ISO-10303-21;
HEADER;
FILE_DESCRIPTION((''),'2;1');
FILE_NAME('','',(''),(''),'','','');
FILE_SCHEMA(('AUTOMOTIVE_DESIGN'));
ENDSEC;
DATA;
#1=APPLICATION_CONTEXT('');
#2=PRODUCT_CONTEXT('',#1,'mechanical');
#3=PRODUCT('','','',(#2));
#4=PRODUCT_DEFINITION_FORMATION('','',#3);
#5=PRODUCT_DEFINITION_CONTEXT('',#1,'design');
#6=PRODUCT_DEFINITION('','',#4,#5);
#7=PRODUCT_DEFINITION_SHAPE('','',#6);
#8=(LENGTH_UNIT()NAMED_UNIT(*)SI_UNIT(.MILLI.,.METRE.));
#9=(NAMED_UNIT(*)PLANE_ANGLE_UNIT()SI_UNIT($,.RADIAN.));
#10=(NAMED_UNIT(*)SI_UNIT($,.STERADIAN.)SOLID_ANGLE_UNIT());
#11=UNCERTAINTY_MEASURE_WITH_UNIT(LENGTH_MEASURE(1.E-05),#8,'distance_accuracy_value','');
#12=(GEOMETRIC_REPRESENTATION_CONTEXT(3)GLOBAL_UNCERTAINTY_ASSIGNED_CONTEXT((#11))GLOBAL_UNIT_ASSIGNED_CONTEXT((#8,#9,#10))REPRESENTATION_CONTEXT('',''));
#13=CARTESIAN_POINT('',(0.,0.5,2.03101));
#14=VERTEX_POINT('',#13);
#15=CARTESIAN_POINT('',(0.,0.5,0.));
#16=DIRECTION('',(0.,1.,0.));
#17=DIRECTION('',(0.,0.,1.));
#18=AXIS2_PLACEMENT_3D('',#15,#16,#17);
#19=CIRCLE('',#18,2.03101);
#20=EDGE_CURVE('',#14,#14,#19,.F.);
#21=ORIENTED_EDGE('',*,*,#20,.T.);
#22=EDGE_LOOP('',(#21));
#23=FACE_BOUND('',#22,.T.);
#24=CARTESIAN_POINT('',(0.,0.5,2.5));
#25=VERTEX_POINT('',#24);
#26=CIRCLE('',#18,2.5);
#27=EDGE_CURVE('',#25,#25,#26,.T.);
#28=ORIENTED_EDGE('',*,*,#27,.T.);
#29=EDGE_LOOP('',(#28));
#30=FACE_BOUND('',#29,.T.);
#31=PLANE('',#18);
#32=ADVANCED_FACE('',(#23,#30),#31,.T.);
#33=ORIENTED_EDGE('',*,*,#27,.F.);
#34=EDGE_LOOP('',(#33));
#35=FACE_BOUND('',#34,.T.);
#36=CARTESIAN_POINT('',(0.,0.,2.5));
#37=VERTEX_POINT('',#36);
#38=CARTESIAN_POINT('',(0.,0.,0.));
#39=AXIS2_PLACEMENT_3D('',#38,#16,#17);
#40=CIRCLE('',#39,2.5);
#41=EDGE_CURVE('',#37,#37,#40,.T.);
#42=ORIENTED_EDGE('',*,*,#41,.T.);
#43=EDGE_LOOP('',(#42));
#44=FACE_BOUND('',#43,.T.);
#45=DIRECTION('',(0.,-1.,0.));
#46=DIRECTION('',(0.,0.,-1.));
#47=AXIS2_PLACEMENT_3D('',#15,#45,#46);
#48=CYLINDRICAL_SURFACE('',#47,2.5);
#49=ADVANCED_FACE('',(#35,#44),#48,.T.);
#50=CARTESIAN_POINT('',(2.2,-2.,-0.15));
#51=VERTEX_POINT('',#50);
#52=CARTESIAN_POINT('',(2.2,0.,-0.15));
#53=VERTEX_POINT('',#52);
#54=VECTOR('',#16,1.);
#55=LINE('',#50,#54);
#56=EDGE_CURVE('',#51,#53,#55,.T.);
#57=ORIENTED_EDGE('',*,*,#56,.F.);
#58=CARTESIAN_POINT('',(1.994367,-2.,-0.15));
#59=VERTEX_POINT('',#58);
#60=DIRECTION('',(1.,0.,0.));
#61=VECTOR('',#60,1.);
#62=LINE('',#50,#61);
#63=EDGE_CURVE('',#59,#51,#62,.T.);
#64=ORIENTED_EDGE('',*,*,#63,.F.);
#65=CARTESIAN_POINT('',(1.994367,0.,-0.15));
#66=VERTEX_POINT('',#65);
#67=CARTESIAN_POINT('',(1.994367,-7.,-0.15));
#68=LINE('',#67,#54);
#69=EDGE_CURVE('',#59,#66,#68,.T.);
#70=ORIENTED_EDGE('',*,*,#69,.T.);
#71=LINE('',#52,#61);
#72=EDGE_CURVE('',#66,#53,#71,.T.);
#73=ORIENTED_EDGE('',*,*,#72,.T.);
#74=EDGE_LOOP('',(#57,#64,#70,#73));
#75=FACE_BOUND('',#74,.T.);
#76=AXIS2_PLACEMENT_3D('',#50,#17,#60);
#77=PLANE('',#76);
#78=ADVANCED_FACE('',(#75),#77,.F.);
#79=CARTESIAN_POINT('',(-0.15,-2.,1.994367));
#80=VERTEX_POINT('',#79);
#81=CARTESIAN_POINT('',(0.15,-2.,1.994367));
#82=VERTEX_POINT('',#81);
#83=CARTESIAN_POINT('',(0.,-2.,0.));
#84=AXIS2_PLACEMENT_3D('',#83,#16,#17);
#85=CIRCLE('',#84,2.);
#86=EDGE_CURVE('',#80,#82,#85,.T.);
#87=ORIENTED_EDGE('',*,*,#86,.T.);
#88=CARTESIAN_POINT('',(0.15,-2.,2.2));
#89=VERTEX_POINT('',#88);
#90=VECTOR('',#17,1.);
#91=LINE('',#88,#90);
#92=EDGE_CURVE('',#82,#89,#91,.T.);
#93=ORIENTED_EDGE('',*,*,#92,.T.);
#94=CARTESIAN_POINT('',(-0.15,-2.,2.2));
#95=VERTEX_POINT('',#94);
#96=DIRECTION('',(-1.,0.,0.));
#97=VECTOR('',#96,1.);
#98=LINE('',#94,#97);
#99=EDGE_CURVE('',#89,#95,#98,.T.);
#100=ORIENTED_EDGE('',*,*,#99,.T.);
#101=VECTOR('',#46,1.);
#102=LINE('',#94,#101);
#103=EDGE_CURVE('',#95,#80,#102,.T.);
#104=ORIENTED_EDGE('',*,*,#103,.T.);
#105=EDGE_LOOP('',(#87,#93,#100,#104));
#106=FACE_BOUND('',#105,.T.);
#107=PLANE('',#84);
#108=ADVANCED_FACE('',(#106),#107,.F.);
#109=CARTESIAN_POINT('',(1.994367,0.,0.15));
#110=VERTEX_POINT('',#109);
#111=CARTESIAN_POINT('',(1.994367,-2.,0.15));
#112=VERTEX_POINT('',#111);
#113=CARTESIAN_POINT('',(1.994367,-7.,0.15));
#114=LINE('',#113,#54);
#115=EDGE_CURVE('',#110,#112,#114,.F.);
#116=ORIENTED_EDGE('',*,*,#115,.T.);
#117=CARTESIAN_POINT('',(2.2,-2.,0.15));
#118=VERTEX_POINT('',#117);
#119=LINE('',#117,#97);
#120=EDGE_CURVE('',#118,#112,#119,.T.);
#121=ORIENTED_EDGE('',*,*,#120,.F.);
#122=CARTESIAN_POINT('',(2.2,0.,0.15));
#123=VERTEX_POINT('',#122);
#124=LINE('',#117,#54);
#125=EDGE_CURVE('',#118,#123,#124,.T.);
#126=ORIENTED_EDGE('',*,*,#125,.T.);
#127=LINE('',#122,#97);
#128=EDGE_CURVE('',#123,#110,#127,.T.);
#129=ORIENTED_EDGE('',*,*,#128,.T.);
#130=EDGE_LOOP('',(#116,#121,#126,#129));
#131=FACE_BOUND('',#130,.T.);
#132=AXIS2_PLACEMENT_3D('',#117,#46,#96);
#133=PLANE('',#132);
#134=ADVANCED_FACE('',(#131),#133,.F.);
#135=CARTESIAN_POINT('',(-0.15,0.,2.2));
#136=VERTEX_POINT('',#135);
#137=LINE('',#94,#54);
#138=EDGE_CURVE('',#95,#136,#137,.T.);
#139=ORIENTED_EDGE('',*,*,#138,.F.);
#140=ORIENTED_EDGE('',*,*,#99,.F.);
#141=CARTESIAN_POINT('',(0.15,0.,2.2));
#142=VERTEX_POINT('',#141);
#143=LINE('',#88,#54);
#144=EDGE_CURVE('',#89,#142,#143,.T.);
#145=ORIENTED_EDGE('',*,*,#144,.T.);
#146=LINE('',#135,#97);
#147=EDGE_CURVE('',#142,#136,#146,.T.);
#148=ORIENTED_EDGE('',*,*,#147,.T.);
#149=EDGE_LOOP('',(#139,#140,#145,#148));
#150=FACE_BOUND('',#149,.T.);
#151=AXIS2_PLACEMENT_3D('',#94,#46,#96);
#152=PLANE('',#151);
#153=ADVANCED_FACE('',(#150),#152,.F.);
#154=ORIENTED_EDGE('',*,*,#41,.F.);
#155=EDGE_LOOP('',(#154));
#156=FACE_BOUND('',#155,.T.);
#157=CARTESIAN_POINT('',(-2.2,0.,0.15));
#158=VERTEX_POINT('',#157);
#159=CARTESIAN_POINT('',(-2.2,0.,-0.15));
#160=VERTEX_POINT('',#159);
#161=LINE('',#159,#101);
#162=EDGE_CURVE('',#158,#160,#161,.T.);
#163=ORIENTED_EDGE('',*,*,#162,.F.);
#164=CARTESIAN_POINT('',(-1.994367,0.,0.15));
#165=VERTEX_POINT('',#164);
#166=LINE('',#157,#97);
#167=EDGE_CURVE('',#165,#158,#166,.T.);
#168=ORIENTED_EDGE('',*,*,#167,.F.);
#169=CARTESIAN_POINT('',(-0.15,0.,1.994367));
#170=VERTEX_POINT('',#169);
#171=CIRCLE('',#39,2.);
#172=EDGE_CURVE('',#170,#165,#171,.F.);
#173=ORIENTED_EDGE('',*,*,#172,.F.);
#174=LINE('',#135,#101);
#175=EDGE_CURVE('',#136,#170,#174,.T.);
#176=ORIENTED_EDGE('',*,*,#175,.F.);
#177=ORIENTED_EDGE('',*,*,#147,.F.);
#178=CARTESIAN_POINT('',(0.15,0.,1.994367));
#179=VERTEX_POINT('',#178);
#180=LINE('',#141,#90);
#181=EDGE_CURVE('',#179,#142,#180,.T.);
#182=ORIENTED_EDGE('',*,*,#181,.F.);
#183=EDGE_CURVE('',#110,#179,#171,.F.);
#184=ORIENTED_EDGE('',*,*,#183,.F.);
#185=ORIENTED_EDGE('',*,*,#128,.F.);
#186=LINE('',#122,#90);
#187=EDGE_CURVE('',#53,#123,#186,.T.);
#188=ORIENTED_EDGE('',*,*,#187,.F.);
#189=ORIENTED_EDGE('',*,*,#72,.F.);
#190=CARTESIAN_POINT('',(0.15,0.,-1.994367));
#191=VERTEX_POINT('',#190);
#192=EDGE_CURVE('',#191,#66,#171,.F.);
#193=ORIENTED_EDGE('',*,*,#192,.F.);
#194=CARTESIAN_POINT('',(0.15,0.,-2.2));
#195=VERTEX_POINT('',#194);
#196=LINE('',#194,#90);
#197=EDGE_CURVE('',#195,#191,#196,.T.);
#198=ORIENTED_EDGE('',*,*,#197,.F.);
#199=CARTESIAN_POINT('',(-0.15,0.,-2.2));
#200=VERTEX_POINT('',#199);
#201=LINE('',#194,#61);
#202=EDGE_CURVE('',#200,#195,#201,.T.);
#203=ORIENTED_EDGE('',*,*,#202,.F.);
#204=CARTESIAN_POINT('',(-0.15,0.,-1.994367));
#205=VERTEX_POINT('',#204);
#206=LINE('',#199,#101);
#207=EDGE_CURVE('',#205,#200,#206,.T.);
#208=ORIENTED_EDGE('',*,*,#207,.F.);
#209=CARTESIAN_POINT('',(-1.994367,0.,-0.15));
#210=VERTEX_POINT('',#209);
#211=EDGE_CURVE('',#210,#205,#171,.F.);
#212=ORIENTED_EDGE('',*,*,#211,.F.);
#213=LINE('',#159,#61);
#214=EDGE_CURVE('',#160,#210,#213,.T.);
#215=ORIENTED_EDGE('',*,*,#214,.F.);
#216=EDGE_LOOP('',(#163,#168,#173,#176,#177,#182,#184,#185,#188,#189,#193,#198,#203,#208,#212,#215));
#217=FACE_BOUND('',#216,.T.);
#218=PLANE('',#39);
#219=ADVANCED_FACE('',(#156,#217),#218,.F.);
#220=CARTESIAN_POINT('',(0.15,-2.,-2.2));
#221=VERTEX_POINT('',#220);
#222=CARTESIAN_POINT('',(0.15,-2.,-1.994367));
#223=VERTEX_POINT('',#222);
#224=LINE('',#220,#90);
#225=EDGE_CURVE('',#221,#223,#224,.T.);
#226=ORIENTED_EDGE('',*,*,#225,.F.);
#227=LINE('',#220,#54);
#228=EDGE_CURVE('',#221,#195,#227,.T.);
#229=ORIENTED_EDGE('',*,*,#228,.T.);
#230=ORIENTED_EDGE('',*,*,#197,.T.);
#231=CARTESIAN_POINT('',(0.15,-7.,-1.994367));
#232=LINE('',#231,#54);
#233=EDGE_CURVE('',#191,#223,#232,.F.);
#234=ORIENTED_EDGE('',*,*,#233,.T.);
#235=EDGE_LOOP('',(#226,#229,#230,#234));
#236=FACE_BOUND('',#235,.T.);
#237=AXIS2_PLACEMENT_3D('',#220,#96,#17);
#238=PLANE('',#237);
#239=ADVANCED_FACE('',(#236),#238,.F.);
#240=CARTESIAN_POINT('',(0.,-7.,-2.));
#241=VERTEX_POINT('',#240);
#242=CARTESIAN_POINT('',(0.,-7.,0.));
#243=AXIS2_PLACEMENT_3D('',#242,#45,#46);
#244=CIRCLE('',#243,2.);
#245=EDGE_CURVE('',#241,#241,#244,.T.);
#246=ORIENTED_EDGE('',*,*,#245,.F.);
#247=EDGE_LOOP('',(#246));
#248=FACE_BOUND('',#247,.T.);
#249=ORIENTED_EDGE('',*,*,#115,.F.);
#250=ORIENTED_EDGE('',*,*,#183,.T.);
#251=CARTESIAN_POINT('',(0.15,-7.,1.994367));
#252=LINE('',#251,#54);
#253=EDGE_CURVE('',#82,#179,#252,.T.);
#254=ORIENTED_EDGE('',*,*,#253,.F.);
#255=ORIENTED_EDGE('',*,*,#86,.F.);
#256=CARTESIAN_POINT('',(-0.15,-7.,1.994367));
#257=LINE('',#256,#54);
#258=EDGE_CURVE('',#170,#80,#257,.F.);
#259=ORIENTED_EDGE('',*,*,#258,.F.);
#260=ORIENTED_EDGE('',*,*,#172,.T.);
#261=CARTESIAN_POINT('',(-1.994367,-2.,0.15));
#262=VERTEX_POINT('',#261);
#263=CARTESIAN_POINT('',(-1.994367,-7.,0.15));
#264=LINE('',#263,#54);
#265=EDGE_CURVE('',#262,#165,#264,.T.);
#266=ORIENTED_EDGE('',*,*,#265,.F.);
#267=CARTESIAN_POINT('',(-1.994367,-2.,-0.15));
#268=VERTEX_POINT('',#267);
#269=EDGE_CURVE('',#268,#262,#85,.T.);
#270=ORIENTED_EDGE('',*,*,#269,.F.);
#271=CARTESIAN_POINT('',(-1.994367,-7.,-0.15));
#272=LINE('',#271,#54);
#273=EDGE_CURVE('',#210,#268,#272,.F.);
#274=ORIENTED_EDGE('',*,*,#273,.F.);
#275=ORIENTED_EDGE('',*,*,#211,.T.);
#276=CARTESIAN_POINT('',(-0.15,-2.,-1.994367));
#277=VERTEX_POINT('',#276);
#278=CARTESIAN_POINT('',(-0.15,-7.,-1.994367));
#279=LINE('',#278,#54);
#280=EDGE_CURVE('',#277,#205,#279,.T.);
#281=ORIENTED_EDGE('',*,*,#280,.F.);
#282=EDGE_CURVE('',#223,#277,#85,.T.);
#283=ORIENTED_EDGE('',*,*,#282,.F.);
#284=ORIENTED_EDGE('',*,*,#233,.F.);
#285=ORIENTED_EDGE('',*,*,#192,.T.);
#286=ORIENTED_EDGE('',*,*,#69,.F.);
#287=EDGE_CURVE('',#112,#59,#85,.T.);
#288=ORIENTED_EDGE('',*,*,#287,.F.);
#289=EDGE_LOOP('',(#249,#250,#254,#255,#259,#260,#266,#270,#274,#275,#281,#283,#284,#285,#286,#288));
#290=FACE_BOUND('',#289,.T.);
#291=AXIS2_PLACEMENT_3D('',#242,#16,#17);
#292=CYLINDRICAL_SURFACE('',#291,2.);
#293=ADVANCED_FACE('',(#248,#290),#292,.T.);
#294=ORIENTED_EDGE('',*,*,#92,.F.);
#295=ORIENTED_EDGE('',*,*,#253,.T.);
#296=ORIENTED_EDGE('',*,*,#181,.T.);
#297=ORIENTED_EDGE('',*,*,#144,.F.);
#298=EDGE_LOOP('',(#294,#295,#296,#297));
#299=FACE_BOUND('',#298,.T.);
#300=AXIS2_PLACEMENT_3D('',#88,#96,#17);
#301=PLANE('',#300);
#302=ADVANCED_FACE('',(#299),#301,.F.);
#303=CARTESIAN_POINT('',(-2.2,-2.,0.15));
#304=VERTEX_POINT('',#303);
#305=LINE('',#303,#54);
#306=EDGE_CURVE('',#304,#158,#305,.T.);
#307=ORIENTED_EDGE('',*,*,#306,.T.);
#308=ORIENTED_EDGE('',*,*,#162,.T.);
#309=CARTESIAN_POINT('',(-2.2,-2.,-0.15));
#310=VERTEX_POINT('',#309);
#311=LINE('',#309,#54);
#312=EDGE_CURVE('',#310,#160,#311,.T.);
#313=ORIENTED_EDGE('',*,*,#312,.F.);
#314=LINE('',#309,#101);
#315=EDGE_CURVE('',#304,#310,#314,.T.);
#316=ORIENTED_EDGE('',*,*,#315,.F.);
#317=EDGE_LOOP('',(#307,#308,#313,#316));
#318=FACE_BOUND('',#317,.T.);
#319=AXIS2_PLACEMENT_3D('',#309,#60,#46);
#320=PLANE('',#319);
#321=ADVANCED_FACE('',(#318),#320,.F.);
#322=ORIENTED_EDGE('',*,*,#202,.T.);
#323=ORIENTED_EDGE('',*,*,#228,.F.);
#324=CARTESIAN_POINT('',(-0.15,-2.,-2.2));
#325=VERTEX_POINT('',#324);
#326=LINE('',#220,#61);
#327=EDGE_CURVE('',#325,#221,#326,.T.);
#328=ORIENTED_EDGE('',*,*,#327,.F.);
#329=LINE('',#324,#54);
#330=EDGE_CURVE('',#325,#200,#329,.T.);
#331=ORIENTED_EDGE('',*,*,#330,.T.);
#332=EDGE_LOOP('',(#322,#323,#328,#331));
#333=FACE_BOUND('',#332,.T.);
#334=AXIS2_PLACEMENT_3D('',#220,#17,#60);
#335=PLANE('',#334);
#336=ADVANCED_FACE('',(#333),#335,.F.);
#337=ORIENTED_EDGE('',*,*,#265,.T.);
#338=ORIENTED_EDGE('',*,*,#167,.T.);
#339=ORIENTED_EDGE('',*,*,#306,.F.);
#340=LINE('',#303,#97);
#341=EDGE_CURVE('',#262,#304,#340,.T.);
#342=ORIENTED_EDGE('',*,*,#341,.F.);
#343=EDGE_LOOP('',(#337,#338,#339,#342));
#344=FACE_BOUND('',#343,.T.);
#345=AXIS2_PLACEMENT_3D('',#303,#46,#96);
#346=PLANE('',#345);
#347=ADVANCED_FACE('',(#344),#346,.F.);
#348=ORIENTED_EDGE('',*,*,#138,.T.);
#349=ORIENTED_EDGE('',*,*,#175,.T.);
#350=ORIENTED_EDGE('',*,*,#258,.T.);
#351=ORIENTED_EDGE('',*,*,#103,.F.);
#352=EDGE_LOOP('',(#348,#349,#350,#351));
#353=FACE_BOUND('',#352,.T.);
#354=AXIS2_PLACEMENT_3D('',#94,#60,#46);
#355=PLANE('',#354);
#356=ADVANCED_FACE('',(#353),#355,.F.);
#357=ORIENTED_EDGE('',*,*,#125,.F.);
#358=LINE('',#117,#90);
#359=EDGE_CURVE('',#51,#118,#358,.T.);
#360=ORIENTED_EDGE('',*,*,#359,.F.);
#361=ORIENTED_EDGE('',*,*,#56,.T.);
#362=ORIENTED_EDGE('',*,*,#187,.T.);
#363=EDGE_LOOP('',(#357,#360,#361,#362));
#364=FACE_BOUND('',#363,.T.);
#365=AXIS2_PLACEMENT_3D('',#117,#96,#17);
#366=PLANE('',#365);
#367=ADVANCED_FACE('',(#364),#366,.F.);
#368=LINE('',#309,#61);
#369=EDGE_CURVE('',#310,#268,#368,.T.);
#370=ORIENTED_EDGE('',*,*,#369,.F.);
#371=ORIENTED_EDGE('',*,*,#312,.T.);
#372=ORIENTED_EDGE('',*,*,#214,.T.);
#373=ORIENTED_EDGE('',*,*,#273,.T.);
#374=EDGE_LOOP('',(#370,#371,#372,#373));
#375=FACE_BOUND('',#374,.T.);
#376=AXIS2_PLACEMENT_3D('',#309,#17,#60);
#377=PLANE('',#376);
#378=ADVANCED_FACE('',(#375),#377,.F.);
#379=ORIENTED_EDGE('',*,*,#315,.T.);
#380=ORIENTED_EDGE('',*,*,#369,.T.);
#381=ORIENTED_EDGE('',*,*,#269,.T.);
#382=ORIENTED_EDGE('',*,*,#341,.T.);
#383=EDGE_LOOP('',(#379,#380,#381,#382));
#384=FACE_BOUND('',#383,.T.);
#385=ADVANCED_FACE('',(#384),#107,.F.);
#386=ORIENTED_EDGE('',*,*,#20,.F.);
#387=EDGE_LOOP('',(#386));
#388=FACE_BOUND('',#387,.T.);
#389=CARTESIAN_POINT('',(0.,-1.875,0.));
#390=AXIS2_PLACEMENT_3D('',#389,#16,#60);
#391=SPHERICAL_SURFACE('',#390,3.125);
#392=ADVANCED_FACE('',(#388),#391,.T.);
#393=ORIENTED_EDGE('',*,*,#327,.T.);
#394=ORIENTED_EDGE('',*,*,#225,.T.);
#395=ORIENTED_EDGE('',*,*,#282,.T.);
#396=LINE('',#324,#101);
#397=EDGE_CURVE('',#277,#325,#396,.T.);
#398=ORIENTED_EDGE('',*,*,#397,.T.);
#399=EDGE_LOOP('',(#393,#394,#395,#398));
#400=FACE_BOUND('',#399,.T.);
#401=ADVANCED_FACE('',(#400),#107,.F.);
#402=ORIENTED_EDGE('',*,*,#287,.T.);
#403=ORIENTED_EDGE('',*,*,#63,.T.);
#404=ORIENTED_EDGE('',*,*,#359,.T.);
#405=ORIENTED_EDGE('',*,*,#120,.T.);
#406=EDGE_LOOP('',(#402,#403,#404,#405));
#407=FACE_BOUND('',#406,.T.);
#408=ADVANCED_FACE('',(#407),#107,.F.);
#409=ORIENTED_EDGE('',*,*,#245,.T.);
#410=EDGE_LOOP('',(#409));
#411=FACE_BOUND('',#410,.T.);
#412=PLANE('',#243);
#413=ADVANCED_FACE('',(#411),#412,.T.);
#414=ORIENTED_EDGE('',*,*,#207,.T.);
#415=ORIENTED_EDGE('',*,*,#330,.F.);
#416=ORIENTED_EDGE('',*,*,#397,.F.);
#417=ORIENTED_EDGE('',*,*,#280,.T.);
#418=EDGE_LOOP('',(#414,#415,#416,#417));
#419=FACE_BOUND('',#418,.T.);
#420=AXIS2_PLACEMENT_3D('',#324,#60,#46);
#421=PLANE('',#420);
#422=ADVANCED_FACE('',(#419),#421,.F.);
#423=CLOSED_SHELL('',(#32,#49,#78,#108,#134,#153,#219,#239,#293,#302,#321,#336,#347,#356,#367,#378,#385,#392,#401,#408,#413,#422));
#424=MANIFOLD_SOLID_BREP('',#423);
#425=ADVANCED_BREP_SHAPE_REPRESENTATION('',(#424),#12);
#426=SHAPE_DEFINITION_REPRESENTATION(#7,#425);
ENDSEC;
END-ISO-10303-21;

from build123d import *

# Parameters (mm, degrees)
SKETCH_1_R      = 2.5
EXTRUDE_1_DEPTH = 0.5
SKETCH_4_R      = 2
EXTRUDE_2_DEPTH = 7
SKETCH_5_W      = 0.3
SKETCH_5_H      = 0.29255476
SKETCH_5_W_2    = 0.29255476
SKETCH_5_H_2    = 0.3
EXTRUDE_3_DEPTH = 2


with BuildPart() as part:
    # 草图1 → 凸台-拉伸1 (new body)
    with BuildSketch(Plane(origin=(0, 0, 0), x_dir=(1, 0, 0), z_dir=(0, 1, 0))):
        with Locations(Location((0, 0, 0), (0, 0, 270))):
            Circle(SKETCH_1_R)
    extrude(amount=EXTRUDE_1_DEPTH)

    # 草图2 → 旋转4 (revolve)
    with BuildSketch(Plane.XY):
        with BuildLine():
            Line((2.5, 0), (0, 0))
            Line((0, 0), (0, 1.25))
            ThreePointArc((0, 1.25), (1.397542486, 0.920084972), (2.5, 0))
        make_face()
    revolve(axis=Axis((0, 3.671150215, 0), (0, -1, 0)))

    # 草图4 → 凸台-拉伸2 (add)
    with BuildSketch(Plane.XZ):
        with Locations(Location((0, 0, 0), (0, 0, 90))):
            Circle(SKETCH_4_R)
    extrude(amount=EXTRUDE_2_DEPTH)

    # 草图5 → 凸台-拉伸3 (add)
    with BuildSketch(Plane.XZ):
        with Locations((0, 2.05372262)):
            Rectangle(SKETCH_5_W, SKETCH_5_H)
        with Locations((-2.05372262, 0)):
            Rectangle(SKETCH_5_W_2, SKETCH_5_H_2)
        with Locations((2.05372262, 0)):
            Rectangle(SKETCH_5_W_2, SKETCH_5_H_2)
        with Locations((0, -2.05372262)):
            Rectangle(SKETCH_5_W, SKETCH_5_H)
    extrude(amount=EXTRUDE_3_DEPTH)


solid = part.part
